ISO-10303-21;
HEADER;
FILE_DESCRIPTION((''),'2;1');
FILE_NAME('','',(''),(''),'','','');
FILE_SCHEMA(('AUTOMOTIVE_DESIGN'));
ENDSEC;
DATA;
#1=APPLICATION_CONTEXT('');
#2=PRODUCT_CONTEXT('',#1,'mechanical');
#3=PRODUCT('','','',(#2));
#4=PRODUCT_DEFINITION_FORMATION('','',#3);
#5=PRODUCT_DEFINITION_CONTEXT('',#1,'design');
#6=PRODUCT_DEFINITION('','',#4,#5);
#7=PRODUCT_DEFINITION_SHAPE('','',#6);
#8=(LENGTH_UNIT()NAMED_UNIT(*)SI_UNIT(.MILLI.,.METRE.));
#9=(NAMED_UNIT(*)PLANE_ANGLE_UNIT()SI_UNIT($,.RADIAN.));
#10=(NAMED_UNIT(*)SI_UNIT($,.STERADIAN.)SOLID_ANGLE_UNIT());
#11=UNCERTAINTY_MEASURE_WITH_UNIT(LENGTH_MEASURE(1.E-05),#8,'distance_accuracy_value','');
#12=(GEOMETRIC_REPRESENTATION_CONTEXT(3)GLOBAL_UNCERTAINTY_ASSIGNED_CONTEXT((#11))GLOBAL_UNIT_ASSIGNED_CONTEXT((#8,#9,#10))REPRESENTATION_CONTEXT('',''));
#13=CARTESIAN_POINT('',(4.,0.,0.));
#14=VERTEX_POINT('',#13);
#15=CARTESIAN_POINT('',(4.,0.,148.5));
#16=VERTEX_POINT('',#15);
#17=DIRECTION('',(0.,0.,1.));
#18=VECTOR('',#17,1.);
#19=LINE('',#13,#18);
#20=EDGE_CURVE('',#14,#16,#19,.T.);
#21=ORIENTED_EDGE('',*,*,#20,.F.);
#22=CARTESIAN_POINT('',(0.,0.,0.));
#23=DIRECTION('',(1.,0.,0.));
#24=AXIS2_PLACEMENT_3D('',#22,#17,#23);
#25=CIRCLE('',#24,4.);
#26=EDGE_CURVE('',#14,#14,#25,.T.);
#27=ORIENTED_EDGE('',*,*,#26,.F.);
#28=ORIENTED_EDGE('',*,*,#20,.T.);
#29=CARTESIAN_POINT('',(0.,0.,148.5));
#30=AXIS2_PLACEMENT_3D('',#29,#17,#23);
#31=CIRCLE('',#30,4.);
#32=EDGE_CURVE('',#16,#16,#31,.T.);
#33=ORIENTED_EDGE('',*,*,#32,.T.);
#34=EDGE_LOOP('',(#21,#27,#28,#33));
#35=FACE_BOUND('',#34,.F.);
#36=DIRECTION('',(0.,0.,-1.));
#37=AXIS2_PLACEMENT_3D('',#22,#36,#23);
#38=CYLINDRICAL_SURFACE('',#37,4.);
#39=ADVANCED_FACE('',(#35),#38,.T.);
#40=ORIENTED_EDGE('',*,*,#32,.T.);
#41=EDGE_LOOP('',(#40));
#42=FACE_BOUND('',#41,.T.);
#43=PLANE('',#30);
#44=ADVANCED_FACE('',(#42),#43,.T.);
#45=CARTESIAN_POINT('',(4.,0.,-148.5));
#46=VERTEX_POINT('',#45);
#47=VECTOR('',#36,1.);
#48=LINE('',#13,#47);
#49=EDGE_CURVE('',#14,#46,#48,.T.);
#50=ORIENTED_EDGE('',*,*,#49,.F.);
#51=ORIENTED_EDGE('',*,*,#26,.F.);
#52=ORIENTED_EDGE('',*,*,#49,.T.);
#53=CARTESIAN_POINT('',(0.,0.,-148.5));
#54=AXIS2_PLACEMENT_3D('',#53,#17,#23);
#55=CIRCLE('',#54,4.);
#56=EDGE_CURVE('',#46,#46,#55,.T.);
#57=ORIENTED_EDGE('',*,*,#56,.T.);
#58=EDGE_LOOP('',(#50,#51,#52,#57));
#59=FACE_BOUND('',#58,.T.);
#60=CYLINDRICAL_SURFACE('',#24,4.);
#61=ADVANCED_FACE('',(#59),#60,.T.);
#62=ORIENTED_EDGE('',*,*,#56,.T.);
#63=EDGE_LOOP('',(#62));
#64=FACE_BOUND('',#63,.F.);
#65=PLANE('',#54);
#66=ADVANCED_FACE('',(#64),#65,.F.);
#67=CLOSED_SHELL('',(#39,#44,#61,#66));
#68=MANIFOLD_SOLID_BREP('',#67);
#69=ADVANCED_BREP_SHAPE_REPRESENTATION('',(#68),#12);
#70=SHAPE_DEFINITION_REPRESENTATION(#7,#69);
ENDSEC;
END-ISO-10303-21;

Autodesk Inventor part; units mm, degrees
ref_plane "YZ Plane" through (0, 0, 0) normal (1, 0, 0) x (0, 1, 0)
ref_plane "XZ Plane" through (0, 0, 0) normal (0, 1, 0) x (-1, 0, 0)
ref_plane "XY Plane" through (0, 0, 0) normal (0, 0, 1) x (1, 0, 0)
sketch "Sketch1" plane through (0, 0, 0) normal (0, 0, 1) x (1, 0, 0)
  circle A0 centre (0, 0) radius 4
  dimension "d0" = 8
extrude "Extrusion1" add sketch "Sketch1" along normal mid plane 297
properties part number "Ø8mm 376 mm"
